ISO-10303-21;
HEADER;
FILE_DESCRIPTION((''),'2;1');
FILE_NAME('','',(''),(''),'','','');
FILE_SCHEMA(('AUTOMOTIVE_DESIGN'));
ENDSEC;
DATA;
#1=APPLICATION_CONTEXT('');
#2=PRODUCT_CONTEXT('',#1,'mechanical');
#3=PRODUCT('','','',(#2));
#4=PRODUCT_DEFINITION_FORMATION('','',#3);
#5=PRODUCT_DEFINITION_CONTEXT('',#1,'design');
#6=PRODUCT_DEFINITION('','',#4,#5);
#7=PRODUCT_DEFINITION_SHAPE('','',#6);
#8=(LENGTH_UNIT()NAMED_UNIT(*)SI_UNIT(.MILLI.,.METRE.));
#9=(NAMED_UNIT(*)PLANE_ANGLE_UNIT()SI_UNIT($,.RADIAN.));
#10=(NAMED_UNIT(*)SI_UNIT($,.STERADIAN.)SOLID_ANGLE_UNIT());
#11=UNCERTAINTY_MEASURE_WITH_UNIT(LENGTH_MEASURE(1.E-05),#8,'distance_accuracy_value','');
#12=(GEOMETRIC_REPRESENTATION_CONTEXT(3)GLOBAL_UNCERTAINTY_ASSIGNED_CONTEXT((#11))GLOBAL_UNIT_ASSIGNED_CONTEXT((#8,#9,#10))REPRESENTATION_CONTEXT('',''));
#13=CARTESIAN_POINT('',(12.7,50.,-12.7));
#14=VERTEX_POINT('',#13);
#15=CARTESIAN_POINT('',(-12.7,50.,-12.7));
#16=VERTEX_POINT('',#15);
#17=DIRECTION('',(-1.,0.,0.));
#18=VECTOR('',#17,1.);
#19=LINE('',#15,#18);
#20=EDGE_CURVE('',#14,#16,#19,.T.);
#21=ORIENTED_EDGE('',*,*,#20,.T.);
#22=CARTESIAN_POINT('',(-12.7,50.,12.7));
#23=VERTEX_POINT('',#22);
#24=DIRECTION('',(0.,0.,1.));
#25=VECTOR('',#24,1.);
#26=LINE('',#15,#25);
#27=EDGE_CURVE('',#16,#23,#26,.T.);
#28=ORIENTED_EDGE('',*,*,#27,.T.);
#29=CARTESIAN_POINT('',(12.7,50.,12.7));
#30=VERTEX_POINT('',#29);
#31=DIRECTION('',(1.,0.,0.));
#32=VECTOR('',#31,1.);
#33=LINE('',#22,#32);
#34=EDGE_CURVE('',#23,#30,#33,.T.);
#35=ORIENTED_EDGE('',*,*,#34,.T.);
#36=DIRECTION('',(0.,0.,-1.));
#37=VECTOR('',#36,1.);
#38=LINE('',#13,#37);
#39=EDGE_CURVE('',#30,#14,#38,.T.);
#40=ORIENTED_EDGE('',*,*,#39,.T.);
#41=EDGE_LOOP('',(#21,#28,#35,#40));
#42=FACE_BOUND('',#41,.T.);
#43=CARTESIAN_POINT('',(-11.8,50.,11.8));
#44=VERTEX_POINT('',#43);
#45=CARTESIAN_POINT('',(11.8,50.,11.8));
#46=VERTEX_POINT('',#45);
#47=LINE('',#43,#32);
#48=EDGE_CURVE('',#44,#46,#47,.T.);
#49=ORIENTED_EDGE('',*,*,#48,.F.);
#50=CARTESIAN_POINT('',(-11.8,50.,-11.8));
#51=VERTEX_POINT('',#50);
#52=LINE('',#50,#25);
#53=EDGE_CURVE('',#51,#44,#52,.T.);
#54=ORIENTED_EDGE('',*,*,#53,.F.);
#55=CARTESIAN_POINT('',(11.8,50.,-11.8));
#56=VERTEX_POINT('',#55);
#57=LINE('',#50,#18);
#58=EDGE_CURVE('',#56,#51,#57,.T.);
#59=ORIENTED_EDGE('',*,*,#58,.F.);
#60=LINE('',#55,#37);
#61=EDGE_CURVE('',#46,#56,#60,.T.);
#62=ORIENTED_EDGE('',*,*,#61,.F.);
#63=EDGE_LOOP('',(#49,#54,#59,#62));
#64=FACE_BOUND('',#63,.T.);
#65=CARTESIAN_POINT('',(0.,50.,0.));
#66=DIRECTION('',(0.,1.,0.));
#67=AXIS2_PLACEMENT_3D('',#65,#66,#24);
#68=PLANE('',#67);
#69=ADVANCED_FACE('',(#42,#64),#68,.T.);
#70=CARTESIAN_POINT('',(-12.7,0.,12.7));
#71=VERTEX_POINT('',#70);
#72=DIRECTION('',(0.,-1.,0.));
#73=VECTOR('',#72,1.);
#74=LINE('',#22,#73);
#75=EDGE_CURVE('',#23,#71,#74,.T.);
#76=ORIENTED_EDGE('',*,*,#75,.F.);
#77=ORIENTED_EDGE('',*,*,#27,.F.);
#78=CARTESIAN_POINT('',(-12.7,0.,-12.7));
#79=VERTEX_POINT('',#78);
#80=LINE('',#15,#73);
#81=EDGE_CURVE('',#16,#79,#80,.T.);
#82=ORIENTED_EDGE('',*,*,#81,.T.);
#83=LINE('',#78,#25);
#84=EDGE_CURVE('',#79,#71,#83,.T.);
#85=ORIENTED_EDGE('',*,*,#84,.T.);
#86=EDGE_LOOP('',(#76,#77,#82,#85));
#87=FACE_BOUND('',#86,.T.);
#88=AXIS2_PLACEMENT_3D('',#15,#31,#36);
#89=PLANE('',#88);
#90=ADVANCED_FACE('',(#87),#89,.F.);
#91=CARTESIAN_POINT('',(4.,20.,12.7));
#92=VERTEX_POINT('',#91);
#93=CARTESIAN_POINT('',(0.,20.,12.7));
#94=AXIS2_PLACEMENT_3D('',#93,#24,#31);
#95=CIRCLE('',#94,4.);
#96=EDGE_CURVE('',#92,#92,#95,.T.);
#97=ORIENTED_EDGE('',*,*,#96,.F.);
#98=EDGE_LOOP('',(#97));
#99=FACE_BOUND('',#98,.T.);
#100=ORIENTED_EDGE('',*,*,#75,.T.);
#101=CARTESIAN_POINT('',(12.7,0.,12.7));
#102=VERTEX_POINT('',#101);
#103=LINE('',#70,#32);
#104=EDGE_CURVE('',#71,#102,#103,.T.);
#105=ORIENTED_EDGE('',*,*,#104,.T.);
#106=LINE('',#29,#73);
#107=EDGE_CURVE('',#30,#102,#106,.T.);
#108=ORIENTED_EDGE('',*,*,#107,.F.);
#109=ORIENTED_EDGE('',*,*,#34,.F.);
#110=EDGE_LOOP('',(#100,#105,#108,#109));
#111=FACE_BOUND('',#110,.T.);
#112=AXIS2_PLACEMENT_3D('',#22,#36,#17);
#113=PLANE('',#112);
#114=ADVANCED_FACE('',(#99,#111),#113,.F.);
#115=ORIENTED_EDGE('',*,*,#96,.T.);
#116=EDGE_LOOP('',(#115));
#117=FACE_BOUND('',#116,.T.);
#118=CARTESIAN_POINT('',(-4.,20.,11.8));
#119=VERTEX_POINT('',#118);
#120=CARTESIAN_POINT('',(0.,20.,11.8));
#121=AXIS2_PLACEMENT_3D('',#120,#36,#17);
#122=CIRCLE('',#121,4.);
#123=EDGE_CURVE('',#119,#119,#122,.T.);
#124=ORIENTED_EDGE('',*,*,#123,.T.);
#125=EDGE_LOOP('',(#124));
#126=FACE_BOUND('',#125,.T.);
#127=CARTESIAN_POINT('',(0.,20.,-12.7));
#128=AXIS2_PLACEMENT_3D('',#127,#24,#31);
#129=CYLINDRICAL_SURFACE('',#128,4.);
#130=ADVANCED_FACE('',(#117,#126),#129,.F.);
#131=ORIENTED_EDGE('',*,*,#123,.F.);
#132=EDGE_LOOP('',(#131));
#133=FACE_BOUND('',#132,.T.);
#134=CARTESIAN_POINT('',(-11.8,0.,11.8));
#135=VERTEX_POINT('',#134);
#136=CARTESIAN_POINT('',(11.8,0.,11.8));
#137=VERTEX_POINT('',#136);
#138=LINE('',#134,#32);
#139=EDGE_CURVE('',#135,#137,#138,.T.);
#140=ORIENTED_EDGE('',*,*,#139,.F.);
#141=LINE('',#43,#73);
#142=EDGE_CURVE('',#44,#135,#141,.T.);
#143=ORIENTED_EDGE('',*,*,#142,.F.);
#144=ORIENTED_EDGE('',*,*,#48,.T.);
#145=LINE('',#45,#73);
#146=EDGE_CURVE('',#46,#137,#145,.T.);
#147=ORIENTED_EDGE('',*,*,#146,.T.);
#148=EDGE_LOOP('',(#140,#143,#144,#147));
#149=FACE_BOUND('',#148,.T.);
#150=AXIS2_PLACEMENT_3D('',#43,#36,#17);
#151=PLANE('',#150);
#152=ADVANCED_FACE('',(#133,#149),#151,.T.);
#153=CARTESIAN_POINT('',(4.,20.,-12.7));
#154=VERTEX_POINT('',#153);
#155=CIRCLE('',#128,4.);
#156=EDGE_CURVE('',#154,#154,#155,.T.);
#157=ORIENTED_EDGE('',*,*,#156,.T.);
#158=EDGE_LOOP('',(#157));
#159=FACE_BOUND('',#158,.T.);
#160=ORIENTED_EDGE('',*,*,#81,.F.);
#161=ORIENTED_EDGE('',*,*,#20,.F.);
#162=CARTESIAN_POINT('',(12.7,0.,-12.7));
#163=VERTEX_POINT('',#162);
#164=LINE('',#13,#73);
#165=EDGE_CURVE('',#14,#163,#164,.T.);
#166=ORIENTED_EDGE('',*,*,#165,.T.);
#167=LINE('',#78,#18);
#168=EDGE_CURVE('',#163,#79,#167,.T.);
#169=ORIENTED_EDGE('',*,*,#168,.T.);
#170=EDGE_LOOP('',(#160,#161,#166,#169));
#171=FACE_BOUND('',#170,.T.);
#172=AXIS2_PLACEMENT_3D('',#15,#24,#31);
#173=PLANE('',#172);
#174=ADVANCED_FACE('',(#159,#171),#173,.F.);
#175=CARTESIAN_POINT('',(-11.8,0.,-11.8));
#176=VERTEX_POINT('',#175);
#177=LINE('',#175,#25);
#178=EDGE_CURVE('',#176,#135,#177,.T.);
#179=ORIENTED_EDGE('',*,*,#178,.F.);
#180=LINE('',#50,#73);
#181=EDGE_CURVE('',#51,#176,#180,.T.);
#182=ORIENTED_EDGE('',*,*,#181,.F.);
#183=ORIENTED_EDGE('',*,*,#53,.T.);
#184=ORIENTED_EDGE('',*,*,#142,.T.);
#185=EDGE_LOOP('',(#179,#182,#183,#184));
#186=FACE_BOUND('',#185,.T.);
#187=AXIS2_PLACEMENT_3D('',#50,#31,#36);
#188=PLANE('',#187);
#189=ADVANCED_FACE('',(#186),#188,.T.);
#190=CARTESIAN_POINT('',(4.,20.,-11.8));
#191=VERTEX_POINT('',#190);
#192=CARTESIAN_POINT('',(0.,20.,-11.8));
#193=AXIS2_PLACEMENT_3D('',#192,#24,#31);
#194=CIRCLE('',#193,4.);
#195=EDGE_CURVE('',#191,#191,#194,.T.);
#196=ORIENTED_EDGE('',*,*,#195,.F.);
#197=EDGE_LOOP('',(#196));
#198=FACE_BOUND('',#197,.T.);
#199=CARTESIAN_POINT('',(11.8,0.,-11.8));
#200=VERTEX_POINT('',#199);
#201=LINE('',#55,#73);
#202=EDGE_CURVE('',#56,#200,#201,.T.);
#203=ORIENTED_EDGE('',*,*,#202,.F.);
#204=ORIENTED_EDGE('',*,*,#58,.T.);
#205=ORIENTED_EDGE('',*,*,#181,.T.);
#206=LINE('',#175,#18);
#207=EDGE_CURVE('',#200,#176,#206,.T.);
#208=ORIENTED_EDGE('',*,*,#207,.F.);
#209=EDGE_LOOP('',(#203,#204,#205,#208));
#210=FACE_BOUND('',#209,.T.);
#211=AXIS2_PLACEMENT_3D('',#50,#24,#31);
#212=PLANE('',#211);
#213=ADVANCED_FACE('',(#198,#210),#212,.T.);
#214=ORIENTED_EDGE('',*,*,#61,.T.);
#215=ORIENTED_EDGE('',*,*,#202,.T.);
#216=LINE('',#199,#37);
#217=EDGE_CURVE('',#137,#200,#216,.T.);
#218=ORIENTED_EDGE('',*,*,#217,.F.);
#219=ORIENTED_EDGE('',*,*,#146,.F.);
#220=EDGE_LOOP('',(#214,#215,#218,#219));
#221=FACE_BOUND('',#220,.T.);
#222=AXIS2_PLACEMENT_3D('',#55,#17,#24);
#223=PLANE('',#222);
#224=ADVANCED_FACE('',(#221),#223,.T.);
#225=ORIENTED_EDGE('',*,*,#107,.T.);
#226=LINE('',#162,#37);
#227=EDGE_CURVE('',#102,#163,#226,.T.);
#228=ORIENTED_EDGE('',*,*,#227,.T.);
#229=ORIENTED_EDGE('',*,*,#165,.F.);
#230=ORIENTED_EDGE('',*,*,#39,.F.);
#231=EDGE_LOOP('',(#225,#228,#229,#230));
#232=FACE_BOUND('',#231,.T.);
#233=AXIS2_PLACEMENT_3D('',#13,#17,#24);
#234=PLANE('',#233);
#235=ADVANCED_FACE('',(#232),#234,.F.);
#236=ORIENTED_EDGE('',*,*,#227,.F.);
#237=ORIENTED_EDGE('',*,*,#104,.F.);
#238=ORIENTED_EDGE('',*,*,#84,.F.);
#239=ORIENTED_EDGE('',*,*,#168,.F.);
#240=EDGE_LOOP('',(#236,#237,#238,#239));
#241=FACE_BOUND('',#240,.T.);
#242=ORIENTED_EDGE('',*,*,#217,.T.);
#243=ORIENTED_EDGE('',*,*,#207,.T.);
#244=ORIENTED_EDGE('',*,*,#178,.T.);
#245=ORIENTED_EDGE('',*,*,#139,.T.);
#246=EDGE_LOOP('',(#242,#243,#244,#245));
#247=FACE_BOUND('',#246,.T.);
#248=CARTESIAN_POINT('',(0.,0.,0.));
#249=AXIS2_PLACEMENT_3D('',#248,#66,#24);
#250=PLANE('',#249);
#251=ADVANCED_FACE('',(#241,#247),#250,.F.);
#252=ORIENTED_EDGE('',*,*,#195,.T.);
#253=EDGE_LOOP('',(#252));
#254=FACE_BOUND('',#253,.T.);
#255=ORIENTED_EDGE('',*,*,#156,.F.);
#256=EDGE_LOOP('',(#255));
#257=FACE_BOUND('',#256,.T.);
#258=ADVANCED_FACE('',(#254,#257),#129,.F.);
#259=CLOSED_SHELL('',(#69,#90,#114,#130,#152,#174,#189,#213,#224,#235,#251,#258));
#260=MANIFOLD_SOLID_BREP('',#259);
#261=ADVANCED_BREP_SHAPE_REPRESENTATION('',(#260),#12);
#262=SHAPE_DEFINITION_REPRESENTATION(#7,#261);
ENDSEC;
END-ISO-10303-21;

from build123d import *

# Parameters (mm, degrees)
SKETCH1_W           = 25.4
SKETCH1_H           = 25.4
SKETCH1_W_2         = 23.6
SKETCH1_H_2         = 23.6
BOSS_EXTRUDE1_DEPTH = 50
SKETCH2_R           = 4
CUT_EXTRUDE1_DEPTH  = 25.4


with BuildPart() as part:
    # Sketch1 → Boss-Extrude1 (new body)
    with BuildSketch(Plane(origin=(0, 0, 0), x_dir=(1, 0, 0), z_dir=(0, 1, 0))):
        Rectangle(SKETCH1_W, SKETCH1_H)
        Rectangle(SKETCH1_W_2, SKETCH1_H_2, mode=Mode.SUBTRACT)
    extrude(amount=BOSS_EXTRUDE1_DEPTH)

    # Sketch2 → Cut-Extrude1 (cut)
    with BuildSketch(Plane.XY.offset(12.7)):
        with Locations((0, 20)):
            Circle(SKETCH2_R)
    extrude(amount=-CUT_EXTRUDE1_DEPTH, mode=Mode.SUBTRACT)


solid = part.part
